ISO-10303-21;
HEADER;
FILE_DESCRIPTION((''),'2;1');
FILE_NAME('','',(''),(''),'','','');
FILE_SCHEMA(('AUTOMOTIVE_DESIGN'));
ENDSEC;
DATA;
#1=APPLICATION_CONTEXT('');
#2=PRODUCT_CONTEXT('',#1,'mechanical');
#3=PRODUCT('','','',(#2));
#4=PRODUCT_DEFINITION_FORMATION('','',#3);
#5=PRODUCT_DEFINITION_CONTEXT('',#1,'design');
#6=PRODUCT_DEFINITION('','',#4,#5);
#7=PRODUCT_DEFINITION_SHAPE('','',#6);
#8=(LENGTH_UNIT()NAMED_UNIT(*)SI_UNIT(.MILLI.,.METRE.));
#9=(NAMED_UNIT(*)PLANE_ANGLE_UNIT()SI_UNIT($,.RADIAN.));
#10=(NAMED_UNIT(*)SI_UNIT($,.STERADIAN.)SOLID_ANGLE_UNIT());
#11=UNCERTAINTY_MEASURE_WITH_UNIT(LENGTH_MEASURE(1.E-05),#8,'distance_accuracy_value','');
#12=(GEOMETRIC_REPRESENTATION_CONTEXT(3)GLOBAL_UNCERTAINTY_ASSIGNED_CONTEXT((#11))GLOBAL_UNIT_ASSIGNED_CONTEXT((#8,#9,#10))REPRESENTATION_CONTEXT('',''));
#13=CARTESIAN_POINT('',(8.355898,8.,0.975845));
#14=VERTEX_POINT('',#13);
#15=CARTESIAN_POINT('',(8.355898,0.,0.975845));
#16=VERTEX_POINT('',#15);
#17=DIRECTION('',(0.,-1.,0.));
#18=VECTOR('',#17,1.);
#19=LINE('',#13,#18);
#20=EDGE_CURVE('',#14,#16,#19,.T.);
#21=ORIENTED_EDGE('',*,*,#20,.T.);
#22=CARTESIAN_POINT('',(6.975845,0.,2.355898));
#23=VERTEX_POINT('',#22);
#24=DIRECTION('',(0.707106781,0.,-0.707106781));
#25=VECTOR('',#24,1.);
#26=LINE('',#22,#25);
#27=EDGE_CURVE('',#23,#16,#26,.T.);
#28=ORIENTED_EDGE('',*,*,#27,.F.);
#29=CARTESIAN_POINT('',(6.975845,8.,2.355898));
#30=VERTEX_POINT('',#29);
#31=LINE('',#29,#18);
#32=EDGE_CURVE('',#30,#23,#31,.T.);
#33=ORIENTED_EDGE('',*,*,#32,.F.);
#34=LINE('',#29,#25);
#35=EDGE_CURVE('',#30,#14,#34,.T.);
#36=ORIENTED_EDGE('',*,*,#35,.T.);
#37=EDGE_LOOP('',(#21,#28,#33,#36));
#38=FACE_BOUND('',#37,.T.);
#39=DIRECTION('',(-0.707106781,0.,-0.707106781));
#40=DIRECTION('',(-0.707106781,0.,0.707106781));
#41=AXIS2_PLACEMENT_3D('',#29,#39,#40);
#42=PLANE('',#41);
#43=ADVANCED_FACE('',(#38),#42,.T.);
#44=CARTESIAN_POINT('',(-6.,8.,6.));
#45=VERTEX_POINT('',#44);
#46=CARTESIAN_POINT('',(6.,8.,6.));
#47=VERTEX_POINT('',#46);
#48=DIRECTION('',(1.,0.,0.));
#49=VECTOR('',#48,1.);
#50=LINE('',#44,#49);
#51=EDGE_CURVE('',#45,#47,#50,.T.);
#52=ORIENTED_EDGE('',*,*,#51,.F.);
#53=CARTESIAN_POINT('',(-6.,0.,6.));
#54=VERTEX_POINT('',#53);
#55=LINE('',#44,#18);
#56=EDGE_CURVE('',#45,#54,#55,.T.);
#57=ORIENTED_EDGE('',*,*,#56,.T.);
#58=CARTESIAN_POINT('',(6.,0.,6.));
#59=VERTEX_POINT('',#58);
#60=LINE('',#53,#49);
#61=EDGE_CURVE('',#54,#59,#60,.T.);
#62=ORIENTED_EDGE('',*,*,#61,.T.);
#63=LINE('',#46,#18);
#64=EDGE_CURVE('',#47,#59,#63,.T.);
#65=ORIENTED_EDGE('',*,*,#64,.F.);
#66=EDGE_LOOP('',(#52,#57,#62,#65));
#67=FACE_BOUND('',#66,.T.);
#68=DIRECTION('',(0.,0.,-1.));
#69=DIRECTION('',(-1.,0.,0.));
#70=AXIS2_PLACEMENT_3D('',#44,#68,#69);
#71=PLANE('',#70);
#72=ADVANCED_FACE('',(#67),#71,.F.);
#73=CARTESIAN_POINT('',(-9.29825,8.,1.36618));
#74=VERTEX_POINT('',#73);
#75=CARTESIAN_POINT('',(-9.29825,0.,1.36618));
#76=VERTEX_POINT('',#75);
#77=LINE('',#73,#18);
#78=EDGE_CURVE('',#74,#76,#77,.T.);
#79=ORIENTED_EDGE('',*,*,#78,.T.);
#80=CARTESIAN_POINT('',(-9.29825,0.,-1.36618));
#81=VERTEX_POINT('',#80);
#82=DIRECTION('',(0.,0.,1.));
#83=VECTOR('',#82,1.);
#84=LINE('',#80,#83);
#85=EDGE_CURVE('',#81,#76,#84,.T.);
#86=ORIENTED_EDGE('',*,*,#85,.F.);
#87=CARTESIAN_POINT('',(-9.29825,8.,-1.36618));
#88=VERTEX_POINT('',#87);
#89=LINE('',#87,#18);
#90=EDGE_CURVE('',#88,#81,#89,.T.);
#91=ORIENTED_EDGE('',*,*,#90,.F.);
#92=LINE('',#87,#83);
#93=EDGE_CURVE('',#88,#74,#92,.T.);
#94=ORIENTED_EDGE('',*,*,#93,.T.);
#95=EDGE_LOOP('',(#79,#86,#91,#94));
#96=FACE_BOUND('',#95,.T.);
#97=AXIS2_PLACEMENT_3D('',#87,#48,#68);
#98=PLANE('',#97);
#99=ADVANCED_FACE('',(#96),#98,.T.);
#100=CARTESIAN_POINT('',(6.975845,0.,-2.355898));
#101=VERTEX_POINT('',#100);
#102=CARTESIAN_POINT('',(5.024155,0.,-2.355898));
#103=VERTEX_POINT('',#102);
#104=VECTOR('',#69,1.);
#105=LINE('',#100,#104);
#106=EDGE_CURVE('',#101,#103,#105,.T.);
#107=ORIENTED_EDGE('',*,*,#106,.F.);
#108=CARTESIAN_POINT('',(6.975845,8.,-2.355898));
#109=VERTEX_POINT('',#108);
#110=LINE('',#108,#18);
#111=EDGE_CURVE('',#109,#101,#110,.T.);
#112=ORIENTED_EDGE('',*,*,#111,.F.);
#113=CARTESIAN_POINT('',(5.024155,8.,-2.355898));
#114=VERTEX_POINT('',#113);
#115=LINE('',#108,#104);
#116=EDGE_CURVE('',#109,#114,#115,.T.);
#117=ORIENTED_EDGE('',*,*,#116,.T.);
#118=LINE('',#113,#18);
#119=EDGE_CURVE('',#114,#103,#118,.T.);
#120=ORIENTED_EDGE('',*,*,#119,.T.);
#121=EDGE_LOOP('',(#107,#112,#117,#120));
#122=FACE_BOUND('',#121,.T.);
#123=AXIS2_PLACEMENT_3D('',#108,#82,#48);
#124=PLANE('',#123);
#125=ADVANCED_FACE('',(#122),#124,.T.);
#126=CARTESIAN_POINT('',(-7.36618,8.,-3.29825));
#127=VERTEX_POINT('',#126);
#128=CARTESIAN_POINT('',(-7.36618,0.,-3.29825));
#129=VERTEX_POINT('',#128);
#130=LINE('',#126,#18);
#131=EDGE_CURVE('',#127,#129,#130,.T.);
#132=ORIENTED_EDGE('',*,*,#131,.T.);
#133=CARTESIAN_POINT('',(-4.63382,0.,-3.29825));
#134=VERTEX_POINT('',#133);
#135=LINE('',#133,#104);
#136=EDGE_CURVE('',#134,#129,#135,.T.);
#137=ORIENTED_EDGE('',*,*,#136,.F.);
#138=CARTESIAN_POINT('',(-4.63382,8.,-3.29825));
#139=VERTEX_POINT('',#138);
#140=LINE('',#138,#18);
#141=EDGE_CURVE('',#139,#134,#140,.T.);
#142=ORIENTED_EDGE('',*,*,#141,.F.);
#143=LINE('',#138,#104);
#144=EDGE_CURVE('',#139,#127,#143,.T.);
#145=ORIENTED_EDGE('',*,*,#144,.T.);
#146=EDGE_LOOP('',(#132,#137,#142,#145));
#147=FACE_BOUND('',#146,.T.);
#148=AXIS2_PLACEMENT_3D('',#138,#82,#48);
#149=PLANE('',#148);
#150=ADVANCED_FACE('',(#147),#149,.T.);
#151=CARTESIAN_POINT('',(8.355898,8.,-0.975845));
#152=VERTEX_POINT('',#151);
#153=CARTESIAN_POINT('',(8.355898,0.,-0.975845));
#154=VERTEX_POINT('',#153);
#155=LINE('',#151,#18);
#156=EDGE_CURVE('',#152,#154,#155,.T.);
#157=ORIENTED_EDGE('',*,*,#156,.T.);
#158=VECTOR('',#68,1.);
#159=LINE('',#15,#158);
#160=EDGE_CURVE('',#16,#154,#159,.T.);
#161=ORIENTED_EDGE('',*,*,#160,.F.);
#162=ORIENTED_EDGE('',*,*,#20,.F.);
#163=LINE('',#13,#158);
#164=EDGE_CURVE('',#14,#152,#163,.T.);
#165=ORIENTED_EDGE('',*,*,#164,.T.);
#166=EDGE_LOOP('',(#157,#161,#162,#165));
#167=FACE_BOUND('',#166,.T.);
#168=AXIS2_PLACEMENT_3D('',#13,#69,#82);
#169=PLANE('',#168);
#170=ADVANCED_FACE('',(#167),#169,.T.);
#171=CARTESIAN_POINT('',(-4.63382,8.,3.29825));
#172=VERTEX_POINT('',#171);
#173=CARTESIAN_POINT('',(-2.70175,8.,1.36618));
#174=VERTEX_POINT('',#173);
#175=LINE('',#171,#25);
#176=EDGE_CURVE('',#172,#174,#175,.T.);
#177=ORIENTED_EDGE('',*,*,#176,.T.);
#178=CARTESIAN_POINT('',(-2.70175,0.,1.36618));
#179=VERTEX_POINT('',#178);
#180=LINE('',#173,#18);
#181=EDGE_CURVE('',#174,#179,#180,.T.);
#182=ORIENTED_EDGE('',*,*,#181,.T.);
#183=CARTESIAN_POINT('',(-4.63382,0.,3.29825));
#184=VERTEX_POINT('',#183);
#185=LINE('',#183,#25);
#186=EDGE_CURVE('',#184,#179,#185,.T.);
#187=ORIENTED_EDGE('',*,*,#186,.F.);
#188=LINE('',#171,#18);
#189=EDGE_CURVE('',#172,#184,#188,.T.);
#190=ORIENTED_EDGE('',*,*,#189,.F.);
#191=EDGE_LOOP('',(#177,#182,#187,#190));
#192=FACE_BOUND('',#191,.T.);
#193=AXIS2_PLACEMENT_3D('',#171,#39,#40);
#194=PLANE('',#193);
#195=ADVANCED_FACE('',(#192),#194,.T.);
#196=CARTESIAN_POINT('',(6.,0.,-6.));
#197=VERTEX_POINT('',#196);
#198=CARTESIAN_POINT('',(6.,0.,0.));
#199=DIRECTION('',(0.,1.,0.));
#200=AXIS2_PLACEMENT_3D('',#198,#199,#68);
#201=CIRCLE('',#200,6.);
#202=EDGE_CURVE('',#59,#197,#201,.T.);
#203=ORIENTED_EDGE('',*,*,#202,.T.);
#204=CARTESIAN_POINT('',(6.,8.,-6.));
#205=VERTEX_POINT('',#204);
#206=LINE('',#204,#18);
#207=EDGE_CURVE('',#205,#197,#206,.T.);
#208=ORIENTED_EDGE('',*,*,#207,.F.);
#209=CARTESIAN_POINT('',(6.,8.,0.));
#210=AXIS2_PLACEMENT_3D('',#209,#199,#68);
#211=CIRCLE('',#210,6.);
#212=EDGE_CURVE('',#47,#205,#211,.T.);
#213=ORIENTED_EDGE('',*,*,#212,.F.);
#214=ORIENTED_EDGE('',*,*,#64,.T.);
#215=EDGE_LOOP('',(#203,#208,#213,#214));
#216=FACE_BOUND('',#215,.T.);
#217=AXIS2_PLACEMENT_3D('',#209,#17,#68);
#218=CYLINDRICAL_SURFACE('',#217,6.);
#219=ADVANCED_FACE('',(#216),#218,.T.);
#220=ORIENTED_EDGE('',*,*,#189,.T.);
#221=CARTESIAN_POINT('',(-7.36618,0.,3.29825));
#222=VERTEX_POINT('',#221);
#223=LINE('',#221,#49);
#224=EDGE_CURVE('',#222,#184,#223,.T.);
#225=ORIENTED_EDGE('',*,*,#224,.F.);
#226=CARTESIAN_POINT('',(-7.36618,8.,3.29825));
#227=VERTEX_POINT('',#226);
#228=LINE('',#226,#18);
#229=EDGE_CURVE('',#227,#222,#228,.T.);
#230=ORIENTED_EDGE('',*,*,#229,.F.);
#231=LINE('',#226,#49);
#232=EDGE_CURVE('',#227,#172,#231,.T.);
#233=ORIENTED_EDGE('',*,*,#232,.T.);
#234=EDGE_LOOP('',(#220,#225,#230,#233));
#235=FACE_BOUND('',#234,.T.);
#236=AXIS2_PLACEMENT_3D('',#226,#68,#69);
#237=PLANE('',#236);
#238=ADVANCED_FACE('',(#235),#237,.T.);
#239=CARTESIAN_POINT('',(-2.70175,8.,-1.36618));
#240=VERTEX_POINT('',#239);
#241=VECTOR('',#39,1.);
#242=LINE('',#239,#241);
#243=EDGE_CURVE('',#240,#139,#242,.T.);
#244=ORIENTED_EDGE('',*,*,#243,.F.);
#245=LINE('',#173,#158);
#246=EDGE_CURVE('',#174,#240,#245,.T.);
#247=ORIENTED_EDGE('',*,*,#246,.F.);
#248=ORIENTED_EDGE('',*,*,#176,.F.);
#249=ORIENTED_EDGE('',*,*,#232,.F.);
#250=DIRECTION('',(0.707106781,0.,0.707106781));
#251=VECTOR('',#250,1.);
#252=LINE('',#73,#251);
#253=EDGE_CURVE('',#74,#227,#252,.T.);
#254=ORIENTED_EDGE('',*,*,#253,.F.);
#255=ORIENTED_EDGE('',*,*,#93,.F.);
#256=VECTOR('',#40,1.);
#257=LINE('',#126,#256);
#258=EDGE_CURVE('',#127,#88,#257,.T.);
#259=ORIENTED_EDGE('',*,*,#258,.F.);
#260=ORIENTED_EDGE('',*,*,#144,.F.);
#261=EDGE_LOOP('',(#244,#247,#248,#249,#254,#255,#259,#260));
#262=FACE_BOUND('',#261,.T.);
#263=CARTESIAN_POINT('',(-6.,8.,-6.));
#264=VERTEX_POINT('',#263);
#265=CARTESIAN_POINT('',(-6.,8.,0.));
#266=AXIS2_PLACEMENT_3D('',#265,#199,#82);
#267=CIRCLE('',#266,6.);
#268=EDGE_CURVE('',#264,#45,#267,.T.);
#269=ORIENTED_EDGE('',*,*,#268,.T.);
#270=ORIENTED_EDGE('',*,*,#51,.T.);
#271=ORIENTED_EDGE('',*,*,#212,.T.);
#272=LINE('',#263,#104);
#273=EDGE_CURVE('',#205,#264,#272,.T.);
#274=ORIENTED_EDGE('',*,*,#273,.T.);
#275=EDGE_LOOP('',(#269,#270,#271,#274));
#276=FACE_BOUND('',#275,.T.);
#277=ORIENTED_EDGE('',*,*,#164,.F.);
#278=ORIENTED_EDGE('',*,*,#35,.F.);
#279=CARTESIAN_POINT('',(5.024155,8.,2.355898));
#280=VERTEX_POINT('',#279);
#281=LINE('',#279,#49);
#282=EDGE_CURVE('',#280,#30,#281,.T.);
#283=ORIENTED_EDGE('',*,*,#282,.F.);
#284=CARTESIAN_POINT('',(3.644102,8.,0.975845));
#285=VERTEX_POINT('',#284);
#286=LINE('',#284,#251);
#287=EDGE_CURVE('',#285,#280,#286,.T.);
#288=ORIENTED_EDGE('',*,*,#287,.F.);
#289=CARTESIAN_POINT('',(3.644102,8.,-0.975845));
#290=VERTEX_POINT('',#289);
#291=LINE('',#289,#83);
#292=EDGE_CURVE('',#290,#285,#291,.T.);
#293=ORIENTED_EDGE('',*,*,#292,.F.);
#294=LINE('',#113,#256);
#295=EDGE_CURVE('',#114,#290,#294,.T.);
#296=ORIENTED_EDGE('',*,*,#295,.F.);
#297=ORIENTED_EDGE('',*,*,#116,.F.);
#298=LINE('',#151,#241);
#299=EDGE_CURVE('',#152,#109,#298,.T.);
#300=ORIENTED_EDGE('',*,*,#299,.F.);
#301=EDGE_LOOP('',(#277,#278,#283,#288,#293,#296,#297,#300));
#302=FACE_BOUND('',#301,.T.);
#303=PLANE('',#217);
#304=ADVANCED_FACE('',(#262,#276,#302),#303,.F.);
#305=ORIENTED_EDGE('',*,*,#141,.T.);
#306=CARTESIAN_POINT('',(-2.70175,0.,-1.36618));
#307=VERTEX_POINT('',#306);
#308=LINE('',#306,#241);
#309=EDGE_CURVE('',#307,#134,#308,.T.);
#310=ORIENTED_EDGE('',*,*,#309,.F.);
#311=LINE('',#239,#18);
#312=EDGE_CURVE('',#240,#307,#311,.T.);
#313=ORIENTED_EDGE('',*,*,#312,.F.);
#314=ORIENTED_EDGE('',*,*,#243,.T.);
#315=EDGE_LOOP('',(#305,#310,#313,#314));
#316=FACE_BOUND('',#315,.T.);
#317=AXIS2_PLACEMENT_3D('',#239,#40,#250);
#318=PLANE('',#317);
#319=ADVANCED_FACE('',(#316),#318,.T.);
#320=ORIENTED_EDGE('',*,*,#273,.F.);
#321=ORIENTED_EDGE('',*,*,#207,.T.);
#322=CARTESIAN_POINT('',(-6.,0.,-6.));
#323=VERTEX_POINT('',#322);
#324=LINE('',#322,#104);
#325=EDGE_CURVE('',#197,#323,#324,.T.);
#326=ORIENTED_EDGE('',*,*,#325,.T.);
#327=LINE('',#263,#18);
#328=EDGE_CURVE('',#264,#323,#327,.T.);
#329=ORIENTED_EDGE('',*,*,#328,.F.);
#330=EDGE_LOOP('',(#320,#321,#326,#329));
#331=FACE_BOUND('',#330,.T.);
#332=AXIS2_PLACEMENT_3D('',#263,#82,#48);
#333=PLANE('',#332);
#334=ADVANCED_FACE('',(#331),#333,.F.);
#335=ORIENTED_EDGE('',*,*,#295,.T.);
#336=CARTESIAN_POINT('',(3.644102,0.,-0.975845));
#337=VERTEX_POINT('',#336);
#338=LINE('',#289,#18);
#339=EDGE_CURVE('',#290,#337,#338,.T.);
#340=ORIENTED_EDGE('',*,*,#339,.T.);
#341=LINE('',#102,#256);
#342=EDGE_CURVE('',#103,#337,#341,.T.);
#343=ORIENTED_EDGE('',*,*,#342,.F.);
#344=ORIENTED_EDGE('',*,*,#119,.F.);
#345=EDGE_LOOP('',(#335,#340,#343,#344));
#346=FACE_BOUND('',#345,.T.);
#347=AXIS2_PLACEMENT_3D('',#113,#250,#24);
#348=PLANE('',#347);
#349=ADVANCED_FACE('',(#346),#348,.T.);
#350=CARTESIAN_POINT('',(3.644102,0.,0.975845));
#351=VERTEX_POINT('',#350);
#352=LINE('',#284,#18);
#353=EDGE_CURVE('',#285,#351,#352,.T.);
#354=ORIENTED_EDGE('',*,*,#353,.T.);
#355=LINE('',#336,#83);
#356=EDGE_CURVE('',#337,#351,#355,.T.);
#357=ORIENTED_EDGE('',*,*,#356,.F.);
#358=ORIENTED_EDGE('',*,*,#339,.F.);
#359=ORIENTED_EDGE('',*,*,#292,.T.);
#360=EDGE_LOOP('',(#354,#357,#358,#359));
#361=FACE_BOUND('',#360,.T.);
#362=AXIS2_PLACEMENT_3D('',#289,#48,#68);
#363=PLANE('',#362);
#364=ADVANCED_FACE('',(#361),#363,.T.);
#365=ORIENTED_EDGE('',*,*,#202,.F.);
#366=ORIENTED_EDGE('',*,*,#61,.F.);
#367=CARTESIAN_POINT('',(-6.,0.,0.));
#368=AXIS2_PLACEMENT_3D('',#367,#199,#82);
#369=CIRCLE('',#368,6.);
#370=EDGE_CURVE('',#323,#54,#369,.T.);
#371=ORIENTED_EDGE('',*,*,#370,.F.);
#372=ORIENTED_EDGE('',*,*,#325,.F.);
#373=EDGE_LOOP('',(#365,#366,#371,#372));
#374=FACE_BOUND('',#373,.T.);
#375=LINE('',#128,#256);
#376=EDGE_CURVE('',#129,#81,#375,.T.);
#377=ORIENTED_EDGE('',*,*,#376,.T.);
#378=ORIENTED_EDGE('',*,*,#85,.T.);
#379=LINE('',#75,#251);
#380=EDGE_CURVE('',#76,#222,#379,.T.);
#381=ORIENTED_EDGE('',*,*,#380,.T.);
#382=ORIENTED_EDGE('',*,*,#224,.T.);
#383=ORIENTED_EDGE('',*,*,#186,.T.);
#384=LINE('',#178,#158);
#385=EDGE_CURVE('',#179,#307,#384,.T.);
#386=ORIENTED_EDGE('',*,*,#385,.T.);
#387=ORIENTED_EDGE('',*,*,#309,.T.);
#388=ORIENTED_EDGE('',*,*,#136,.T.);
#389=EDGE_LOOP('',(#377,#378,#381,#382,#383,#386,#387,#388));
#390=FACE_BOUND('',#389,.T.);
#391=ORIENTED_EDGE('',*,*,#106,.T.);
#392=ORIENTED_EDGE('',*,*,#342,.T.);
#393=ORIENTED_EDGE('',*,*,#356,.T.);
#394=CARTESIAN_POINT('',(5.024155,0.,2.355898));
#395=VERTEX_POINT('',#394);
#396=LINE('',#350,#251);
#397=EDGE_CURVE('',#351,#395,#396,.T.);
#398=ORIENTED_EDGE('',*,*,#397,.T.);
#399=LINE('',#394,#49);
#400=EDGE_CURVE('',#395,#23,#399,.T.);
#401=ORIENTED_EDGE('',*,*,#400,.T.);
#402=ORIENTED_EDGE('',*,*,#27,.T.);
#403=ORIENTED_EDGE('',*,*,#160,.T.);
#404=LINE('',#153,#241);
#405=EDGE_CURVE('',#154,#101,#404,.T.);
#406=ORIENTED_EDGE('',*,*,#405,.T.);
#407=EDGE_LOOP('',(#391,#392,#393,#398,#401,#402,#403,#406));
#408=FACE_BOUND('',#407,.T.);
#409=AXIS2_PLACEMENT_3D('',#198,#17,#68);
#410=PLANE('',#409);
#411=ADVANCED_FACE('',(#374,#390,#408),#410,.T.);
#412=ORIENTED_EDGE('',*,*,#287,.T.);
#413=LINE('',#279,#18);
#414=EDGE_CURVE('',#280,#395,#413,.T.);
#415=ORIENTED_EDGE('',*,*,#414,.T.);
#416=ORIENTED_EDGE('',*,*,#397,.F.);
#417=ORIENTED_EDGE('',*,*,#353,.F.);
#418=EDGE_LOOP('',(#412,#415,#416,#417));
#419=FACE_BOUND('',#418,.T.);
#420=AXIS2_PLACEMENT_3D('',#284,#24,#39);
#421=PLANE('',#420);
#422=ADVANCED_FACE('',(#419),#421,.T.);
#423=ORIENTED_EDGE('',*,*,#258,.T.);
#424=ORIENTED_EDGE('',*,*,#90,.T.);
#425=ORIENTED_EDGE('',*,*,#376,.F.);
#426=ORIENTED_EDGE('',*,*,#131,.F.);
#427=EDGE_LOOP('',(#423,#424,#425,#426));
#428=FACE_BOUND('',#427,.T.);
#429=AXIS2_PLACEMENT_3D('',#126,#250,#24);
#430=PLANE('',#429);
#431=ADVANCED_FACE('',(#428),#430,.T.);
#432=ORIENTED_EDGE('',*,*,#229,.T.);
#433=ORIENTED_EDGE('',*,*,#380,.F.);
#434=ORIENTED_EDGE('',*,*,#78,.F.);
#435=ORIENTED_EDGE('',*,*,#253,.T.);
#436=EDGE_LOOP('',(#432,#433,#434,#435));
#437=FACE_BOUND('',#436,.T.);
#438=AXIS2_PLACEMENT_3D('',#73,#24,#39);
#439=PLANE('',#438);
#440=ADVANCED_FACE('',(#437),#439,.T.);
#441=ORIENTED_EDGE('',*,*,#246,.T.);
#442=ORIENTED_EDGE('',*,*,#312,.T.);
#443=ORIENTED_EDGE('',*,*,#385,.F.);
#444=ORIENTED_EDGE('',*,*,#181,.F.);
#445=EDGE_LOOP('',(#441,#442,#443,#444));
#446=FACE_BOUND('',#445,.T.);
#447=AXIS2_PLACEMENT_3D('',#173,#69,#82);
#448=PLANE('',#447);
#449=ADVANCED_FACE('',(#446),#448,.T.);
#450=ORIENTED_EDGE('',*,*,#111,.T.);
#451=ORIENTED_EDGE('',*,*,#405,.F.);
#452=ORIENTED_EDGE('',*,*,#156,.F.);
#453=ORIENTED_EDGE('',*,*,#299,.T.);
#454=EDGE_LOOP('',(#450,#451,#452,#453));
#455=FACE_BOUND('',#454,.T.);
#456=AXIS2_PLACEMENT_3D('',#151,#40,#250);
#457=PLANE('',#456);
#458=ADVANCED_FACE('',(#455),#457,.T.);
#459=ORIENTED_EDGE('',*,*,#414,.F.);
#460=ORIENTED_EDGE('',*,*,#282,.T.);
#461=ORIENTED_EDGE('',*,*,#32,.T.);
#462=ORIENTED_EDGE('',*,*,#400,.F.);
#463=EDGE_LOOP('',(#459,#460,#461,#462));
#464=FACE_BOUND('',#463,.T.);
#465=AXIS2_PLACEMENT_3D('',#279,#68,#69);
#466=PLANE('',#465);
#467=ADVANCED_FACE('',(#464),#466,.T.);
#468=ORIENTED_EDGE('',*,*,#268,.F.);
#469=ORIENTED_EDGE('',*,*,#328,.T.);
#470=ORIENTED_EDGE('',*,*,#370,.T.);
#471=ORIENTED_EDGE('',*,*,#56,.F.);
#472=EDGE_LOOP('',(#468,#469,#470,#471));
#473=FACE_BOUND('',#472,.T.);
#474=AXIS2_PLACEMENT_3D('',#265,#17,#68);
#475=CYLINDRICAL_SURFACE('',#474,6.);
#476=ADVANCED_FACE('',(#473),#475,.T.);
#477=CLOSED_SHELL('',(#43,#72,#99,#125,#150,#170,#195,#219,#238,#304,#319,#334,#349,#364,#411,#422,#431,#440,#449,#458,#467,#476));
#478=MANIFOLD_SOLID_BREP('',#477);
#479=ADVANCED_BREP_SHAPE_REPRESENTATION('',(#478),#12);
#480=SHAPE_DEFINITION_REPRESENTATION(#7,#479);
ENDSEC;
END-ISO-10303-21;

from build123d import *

# Parameters (mm, degrees)
BOSS_EXTRUDE1_DEPTH = 8


with BuildPart() as part:
    # Sketch1 → Boss-Extrude1 (new body)
    with BuildSketch(Plane(origin=(0, 0, 0), x_dir=(1, 0, 0), z_dir=(0, 1, 0))):
        with BuildLine():
            Line((-6, 6), (6, 6))
            ThreePointArc((6, 6), (12, 0), (6, -6))
            Line((6, -6), (-6, -6))
            ThreePointArc((-6, -6), (-12, 0), (-6, 6))
        make_face()
        Polygon((-4.63382, 3.298250285), (-7.36618, 3.298250285), (-9.298250285, 1.36618), (-9.298250285, -1.36618), (-7.36618, -3.298250285), (-4.63382, -3.298250285), (-2.701749715, -1.36618), (-2.701749715, 1.36618), align=None, mode=Mode.SUBTRACT)
        Polygon((8.355898234, 0.975845), (6.975845, 2.355898234), (5.024155, 2.355898234), (3.644101766, 0.975845), (3.644101766, -0.975845), (5.024155, -2.355898234), (6.975845, -2.355898234), (8.355898234, -0.975845), align=None, mode=Mode.SUBTRACT)
    extrude(amount=BOSS_EXTRUDE1_DEPTH)


solid = part.part
